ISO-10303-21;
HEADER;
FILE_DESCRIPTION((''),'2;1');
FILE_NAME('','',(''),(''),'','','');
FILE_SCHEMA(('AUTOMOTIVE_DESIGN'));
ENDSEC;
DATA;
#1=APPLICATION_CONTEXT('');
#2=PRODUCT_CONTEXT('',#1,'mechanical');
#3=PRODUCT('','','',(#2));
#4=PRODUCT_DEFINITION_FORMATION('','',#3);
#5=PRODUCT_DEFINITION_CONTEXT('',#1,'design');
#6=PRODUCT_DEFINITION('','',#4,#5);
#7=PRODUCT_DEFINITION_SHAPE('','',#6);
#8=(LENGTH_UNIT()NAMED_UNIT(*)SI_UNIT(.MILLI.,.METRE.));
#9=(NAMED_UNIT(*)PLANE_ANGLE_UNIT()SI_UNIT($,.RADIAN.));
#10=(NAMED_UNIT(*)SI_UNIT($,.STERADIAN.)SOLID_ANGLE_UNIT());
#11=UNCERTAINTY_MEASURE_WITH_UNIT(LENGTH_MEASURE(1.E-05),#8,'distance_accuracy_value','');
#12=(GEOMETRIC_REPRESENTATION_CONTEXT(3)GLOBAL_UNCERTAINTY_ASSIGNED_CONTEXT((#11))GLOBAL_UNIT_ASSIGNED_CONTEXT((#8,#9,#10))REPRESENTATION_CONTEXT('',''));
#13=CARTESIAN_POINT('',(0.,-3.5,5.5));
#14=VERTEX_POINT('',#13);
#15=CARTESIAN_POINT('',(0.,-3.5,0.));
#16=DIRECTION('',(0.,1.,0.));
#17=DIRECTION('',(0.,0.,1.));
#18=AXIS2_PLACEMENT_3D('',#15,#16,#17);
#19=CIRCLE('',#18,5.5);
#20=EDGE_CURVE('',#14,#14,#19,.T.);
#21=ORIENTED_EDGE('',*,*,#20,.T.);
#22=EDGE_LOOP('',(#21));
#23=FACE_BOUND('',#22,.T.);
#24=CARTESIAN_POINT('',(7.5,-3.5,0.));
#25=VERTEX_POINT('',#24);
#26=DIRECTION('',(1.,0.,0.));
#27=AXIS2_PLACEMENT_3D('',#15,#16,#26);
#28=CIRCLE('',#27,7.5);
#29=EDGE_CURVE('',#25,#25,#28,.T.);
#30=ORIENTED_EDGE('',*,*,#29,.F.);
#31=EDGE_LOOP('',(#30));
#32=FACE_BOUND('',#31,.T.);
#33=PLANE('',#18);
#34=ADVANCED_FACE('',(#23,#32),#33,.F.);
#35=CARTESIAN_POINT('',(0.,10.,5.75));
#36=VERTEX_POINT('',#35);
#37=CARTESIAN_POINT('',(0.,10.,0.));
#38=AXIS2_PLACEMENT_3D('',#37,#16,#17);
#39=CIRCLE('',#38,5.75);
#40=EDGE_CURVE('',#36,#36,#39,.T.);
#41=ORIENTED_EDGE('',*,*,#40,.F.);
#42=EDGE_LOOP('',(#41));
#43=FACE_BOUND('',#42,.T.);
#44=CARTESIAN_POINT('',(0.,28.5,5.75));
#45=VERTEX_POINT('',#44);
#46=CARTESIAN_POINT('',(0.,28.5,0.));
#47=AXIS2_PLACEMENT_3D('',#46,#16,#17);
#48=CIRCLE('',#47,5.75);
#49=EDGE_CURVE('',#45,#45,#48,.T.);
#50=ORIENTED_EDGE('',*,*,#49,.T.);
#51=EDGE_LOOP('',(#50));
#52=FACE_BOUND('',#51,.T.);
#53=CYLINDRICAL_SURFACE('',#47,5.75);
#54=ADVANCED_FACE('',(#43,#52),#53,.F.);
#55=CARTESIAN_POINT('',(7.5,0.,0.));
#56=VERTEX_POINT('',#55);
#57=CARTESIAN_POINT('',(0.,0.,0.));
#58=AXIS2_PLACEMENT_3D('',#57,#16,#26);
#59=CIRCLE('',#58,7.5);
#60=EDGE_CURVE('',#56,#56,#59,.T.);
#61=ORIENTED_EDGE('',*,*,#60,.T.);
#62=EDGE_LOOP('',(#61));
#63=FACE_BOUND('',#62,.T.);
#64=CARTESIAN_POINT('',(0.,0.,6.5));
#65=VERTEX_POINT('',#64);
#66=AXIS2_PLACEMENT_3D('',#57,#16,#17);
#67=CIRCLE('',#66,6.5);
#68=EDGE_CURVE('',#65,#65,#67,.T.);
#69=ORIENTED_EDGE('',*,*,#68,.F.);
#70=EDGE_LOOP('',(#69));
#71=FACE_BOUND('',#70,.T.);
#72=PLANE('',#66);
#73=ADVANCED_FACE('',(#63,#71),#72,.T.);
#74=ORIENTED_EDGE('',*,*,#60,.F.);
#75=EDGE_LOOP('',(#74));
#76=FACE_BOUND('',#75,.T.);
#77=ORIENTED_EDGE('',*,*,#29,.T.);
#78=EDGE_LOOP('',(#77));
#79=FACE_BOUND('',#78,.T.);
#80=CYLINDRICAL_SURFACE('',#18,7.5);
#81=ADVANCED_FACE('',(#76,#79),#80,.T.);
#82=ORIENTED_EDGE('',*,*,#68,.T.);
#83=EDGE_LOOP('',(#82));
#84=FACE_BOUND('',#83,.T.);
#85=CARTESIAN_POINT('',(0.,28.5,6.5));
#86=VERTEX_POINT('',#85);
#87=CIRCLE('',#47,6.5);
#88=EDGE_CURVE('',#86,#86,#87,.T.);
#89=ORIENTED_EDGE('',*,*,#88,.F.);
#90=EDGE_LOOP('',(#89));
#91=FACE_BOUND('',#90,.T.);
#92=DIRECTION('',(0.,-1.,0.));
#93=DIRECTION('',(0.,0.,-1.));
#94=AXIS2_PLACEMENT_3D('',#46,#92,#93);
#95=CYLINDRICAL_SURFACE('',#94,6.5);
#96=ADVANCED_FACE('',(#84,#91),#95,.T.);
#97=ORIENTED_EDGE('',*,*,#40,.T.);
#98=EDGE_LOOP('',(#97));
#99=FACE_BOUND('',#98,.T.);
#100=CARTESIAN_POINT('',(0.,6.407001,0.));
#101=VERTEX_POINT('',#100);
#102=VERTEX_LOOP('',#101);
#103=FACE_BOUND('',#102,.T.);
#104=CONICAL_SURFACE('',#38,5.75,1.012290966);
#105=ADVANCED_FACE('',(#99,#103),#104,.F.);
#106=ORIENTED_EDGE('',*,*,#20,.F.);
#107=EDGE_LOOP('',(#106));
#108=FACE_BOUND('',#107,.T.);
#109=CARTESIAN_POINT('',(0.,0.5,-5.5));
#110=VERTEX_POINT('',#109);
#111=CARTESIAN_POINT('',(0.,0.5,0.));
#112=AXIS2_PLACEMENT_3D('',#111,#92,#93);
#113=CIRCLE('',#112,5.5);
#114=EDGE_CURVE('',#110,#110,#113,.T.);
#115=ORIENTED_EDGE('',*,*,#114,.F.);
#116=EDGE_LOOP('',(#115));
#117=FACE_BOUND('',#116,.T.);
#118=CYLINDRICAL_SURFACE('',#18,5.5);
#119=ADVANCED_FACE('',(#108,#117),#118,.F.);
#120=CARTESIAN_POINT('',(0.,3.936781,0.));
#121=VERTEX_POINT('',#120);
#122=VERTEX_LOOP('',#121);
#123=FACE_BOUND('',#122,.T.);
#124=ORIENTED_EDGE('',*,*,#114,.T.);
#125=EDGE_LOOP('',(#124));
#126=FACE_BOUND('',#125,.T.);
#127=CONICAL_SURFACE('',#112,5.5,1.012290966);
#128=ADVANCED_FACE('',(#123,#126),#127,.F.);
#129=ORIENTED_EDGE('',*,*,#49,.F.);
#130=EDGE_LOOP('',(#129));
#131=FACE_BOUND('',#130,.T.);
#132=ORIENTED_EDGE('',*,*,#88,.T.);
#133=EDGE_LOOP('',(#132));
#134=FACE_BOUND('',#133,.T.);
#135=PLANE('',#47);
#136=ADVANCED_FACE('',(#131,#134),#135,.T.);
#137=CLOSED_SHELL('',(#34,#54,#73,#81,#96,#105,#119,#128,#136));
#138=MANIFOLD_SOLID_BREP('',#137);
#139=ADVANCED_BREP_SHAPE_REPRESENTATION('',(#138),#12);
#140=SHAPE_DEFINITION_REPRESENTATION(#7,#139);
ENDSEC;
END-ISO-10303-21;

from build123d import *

# Parameters (mm, degrees)
SKETCH5_R                        = 7.5
SKETCH5_R_2                      = 5.5
EXTRUDE_THIN5_DEPTH              = 3.5
SKETCH6_R                        = 6.5
BOSS_EXTRUDE1_DEPTH              = 28.5
F_11_5_11_5_DIAMETER_HOLE1_D     = 11.5
F_11_5_11_5_DIAMETER_HOLE1_DEPTH = 18.5
F_11_5_11_5_DIAMETER_HOLE1_TIP   = 3.592998773
F_11_0_11_DIAMETER_HOLE2_D       = 11
F_11_0_11_DIAMETER_HOLE2_DEPTH   = 4
F_11_0_11_DIAMETER_HOLE2_TIP     = 3.436781436


with BuildPart() as part:
    # Sketch5 → Extrude-Thin5 (new body)
    with BuildSketch(Plane(origin=(0, 0, 0), x_dir=(1, 0, 0), z_dir=(0, 1, 0))):
        Circle(SKETCH5_R)
        Circle(SKETCH5_R_2, mode=Mode.SUBTRACT)
    extrude(amount=-EXTRUDE_THIN5_DEPTH)

    # Sketch6 → Boss-Extrude1 (add)
    with BuildSketch(Plane(origin=(0, 0, 0), x_dir=(1, 0, 0), z_dir=(0, 1, 0))):
        Circle(SKETCH6_R)
    extrude(amount=BOSS_EXTRUDE1_DEPTH)

    # Ø11.5 (11.5) Diameter Hole1
    with Locations(Plane.ZX.offset(28.5)):
        with Locations((0, 0)):
            Hole(F_11_5_11_5_DIAMETER_HOLE1_D / 2, depth=F_11_5_11_5_DIAMETER_HOLE1_DEPTH)
            with Locations((0, 0, -(F_11_5_11_5_DIAMETER_HOLE1_DEPTH + F_11_5_11_5_DIAMETER_HOLE1_TIP / 2))):  # 116° drill point
                Cone(0, F_11_5_11_5_DIAMETER_HOLE1_D / 2, F_11_5_11_5_DIAMETER_HOLE1_TIP, mode=Mode.SUBTRACT)

    # Ø11.0 (11) Diameter Hole2
    with Locations(Plane(origin=(0, -3.5, 0), x_dir=(0, 0, -1), z_dir=(0, -1, 0))):
        with Locations((0, 0)):
            Hole(F_11_0_11_DIAMETER_HOLE2_D / 2, depth=F_11_0_11_DIAMETER_HOLE2_DEPTH)
            with Locations((0, 0, -(F_11_0_11_DIAMETER_HOLE2_DEPTH + F_11_0_11_DIAMETER_HOLE2_TIP / 2))):  # 116° drill point
                Cone(0, F_11_0_11_DIAMETER_HOLE2_D / 2, F_11_0_11_DIAMETER_HOLE2_TIP, mode=Mode.SUBTRACT)


solid = part.part
